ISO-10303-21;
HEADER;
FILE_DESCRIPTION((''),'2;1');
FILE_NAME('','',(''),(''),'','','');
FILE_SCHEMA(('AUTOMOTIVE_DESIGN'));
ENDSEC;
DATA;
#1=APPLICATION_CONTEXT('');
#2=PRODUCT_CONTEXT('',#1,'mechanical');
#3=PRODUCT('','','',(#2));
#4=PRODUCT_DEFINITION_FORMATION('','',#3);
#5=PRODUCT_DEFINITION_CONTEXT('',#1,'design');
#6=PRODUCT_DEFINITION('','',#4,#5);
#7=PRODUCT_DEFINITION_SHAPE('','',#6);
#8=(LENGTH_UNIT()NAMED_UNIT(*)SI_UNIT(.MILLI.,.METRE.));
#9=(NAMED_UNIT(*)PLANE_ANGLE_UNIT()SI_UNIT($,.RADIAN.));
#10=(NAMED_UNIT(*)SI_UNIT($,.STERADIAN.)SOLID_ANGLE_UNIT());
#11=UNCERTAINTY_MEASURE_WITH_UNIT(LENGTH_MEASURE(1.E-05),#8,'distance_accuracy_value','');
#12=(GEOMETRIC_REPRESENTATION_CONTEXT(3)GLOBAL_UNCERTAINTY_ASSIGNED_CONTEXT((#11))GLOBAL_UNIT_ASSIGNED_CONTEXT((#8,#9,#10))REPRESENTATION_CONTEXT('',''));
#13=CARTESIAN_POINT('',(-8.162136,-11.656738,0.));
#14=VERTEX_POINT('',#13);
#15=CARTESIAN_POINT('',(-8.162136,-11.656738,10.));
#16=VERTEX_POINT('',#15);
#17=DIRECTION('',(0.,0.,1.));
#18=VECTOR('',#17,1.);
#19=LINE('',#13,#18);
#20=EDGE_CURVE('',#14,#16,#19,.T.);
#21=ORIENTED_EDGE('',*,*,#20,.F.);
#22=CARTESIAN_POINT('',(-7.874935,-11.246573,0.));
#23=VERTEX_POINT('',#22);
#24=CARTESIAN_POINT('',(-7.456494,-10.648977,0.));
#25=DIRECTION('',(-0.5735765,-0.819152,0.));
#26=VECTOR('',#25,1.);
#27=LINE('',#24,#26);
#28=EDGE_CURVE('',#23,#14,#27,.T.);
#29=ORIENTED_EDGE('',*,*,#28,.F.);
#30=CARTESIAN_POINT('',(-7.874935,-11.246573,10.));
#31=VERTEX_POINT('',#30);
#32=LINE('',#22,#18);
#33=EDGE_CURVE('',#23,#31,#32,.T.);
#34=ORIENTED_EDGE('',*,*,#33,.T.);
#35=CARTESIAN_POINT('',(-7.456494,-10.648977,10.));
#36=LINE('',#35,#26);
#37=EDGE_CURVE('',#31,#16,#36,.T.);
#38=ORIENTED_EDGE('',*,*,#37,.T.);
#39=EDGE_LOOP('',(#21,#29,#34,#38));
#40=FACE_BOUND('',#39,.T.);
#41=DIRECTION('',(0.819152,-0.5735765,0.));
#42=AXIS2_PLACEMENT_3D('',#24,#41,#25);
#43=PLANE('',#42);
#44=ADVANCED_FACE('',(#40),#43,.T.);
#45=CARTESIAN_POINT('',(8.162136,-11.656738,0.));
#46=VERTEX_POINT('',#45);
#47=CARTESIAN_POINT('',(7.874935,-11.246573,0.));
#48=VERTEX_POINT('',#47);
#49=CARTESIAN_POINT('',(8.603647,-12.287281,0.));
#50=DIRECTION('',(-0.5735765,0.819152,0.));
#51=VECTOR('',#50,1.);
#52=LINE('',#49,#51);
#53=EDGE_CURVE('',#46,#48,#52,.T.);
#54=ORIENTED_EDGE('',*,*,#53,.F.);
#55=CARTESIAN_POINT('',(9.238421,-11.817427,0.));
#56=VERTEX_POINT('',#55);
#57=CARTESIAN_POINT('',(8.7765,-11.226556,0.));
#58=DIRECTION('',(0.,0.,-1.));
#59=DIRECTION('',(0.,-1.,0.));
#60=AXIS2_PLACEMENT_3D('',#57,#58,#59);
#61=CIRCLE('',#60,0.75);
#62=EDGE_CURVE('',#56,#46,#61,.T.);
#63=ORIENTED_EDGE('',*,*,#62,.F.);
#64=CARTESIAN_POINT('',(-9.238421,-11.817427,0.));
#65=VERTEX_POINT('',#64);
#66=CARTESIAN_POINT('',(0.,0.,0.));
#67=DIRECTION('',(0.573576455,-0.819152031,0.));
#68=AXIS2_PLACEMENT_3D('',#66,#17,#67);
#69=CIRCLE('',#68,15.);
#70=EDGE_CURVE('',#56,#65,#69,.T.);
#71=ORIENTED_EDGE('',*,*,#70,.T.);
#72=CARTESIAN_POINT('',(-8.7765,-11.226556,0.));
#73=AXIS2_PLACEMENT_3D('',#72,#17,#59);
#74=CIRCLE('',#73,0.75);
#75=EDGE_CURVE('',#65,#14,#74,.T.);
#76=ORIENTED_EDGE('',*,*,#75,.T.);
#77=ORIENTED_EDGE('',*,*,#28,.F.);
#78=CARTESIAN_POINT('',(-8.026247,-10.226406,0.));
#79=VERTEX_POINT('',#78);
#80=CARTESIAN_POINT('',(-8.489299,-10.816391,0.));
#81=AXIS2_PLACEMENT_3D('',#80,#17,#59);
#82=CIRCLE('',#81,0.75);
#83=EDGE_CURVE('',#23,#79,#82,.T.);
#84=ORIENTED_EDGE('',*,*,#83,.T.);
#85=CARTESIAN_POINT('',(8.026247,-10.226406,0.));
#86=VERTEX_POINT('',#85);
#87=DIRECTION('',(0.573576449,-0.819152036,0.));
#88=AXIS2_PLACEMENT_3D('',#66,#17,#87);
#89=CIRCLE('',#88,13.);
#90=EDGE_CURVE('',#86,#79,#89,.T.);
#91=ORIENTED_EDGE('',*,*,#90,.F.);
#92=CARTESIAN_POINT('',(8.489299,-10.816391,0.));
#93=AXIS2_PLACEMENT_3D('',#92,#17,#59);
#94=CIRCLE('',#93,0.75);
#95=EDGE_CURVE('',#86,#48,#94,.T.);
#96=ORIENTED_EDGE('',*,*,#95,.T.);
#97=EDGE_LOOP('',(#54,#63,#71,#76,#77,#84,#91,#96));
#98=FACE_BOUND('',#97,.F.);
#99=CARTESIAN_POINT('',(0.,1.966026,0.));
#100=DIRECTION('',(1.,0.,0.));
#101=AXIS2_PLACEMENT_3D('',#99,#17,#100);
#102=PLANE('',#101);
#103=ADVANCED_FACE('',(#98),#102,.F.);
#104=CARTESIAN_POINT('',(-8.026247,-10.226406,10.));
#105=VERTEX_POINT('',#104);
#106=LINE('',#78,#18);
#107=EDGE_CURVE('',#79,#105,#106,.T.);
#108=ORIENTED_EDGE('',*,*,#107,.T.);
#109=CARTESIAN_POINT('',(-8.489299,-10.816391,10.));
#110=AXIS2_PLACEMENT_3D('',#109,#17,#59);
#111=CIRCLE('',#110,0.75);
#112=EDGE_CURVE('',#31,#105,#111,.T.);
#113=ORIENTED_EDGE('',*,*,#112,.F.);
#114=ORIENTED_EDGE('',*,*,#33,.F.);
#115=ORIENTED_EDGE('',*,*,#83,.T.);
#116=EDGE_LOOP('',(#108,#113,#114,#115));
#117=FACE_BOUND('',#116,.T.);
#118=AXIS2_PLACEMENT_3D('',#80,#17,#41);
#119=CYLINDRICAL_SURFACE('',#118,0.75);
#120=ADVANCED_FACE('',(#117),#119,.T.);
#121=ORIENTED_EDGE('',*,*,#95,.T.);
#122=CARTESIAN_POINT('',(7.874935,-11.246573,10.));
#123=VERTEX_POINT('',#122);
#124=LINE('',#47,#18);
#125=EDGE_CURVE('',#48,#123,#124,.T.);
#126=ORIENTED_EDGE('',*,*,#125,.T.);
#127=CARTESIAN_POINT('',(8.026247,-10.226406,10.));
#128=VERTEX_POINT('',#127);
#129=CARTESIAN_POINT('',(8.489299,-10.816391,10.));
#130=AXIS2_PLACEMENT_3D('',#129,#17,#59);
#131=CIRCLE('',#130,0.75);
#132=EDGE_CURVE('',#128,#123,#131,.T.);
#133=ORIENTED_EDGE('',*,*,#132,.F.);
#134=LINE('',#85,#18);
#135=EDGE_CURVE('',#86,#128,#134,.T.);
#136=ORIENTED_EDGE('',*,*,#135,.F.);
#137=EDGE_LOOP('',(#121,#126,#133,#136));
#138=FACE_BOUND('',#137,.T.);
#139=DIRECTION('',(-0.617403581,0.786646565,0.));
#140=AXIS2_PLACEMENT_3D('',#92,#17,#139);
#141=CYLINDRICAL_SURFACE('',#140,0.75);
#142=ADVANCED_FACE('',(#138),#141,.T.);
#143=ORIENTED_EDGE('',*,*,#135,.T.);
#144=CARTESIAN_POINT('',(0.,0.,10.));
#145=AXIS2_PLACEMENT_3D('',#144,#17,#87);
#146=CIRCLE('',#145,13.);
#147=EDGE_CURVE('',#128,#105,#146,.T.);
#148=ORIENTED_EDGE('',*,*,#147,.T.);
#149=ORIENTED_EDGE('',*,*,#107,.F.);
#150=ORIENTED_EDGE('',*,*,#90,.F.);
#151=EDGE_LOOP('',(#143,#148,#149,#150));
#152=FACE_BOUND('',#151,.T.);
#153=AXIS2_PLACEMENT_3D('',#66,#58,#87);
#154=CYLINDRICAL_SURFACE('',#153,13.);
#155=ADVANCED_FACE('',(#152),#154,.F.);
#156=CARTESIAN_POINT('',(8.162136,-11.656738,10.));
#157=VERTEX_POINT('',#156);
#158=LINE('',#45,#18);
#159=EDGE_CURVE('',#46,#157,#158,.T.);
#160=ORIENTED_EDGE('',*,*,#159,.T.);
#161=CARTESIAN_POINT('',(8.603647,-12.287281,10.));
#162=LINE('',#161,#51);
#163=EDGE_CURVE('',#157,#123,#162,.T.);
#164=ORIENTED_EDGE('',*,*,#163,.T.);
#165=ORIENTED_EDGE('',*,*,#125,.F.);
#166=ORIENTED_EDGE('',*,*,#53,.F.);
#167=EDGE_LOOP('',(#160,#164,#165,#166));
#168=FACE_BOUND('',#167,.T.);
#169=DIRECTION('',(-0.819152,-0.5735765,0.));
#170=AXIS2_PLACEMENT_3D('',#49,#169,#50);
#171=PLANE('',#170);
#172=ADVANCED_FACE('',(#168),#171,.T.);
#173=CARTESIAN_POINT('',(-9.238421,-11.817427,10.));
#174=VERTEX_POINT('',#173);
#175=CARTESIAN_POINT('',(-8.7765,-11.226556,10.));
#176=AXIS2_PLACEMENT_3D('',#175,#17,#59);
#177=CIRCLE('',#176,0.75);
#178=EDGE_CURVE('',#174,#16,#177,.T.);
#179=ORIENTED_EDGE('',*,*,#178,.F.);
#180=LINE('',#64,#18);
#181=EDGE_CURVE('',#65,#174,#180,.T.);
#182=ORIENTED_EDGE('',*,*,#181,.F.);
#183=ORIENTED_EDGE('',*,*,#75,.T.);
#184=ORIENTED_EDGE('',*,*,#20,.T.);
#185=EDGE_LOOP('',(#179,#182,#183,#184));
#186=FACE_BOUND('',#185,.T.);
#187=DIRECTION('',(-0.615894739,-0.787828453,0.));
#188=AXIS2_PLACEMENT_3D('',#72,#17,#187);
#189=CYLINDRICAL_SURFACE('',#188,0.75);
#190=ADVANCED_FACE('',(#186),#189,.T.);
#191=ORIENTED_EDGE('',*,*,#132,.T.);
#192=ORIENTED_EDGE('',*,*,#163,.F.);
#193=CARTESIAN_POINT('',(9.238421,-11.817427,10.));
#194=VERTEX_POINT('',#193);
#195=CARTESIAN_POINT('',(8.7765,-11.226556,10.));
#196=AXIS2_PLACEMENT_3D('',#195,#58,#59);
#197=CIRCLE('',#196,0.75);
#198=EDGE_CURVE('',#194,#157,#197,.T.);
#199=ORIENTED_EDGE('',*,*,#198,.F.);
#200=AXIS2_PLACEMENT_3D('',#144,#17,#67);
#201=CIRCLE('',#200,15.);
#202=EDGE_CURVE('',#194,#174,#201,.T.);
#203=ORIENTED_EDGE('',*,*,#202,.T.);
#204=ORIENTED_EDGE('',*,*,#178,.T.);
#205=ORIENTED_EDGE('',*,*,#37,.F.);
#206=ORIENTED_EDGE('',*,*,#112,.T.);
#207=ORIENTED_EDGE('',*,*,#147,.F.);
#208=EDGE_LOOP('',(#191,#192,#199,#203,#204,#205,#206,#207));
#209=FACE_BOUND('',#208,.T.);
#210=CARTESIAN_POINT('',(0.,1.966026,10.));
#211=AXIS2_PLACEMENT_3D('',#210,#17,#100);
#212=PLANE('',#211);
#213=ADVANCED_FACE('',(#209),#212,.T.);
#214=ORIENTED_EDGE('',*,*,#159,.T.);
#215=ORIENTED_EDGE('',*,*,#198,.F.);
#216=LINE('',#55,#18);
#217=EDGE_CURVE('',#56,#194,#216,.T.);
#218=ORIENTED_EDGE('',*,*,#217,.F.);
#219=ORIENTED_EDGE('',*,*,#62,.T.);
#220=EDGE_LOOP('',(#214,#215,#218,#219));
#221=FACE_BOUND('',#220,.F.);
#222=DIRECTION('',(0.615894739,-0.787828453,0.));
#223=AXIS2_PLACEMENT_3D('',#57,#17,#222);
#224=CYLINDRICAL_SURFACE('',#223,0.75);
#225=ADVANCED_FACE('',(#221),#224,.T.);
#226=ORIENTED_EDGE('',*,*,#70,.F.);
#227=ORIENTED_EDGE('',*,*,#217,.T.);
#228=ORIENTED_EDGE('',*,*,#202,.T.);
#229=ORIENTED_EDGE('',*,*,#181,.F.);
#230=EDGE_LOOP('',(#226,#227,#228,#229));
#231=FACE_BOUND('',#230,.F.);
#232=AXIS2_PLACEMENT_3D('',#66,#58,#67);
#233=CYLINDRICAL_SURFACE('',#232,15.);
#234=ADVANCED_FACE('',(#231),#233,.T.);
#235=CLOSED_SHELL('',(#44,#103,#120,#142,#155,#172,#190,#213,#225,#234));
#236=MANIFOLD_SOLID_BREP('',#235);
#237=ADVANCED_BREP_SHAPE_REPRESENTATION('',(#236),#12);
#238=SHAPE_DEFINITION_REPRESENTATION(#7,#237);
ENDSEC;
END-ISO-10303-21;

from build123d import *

# Parameters (mm, degrees)
PAD_DEPTH = 10
FILLET_R  = 0.75


with BuildPart() as part:
    # Sketch → Pad (new body)
    with BuildSketch(Plane.XY):
        with BuildLine():
            ThreePointArc((8.603647, -12.287281), (0, 15), (-8.603647, -12.287281))
            Line((-7.456494, -10.648977), (-8.603647, -12.287281))
            ThreePointArc((7.456494, -10.648977), (0, 13), (-7.456494, -10.648977))
            Line((8.603647, -12.287281), (7.456494, -10.648977))
        make_face()
    extrude(amount=PAD_DEPTH)

    # Fillet
    fillet_edges = [part.edges().sort_by_distance(p)[0] for p in [
        (7.456494, -10.648977, 5),
        (8.603647, -12.287281, 5),
        (-7.456494, -10.648977, 5),
        (-8.603647, -12.287281, 5),
    ]]
    fillet(fillet_edges, radius=FILLET_R)


solid = part.part
